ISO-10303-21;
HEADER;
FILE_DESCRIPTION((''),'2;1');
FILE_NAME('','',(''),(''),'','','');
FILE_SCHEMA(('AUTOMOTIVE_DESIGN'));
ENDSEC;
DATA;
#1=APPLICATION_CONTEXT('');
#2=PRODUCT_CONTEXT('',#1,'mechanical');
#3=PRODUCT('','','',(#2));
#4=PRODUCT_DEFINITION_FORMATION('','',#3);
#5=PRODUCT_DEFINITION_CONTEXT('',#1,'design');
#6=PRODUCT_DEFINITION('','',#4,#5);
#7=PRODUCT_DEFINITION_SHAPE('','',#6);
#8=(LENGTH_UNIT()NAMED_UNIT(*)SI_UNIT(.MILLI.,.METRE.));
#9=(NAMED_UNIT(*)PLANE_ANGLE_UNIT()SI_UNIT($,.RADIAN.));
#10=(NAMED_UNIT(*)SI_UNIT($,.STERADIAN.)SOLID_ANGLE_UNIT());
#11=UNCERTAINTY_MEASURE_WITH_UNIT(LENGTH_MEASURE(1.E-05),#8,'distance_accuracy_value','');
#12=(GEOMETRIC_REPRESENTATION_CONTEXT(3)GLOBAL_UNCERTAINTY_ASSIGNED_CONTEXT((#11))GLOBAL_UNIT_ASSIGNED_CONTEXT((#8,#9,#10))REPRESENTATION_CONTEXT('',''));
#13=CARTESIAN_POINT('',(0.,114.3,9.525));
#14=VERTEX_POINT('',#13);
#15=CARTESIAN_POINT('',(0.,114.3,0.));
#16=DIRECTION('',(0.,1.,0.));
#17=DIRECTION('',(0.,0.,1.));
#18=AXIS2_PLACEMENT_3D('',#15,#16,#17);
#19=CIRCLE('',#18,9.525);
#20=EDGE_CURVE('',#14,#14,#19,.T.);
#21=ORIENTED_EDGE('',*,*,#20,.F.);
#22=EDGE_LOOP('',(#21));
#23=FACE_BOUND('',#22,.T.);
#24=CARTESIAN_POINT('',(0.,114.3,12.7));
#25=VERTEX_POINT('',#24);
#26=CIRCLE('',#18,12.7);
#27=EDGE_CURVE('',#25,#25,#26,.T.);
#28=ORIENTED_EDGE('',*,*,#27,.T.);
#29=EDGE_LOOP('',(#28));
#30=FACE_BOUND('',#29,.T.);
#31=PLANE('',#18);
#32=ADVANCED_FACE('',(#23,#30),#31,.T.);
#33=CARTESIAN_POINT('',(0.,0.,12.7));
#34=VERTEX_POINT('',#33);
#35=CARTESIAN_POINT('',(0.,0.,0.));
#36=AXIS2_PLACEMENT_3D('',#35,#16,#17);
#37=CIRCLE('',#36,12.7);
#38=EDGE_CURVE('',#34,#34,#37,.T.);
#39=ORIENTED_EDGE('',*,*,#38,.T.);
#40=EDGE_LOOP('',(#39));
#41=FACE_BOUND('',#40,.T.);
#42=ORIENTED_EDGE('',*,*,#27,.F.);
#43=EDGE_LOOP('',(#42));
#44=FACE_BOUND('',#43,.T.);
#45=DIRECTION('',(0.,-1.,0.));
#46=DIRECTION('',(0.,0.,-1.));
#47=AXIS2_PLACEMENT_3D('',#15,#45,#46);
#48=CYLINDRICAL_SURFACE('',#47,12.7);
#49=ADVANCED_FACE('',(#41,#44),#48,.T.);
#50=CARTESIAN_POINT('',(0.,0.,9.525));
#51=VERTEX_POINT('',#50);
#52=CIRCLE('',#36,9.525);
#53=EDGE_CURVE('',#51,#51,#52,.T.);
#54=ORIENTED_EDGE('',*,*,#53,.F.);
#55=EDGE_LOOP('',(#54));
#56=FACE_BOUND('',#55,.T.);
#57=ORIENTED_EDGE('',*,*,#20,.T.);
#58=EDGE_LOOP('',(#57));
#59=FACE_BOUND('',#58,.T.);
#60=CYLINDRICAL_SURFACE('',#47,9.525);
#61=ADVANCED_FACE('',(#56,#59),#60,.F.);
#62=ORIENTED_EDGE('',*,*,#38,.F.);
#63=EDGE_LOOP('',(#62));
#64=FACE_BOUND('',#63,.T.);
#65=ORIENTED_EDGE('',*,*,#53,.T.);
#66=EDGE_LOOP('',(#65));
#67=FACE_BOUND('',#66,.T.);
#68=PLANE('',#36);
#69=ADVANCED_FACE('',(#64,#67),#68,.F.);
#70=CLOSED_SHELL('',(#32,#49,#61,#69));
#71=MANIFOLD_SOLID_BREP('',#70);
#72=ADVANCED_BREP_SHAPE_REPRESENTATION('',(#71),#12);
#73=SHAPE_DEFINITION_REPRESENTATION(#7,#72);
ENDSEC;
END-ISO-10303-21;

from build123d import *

# Parameters (mm, degrees)
SKETCH1_R           = 12.7
SKETCH1_R_2         = 9.525
BOSS_EXTRUDE2_DEPTH = 114.3


with BuildPart() as part:
    # Sketch1 → Boss-Extrude2 (new body)
    with BuildSketch(Plane(origin=(0, 0, 0), x_dir=(1, 0, 0), z_dir=(0, 1, 0))):
        Circle(SKETCH1_R)
        Circle(SKETCH1_R_2, mode=Mode.SUBTRACT)
    extrude(amount=BOSS_EXTRUDE2_DEPTH)


solid = part.part
